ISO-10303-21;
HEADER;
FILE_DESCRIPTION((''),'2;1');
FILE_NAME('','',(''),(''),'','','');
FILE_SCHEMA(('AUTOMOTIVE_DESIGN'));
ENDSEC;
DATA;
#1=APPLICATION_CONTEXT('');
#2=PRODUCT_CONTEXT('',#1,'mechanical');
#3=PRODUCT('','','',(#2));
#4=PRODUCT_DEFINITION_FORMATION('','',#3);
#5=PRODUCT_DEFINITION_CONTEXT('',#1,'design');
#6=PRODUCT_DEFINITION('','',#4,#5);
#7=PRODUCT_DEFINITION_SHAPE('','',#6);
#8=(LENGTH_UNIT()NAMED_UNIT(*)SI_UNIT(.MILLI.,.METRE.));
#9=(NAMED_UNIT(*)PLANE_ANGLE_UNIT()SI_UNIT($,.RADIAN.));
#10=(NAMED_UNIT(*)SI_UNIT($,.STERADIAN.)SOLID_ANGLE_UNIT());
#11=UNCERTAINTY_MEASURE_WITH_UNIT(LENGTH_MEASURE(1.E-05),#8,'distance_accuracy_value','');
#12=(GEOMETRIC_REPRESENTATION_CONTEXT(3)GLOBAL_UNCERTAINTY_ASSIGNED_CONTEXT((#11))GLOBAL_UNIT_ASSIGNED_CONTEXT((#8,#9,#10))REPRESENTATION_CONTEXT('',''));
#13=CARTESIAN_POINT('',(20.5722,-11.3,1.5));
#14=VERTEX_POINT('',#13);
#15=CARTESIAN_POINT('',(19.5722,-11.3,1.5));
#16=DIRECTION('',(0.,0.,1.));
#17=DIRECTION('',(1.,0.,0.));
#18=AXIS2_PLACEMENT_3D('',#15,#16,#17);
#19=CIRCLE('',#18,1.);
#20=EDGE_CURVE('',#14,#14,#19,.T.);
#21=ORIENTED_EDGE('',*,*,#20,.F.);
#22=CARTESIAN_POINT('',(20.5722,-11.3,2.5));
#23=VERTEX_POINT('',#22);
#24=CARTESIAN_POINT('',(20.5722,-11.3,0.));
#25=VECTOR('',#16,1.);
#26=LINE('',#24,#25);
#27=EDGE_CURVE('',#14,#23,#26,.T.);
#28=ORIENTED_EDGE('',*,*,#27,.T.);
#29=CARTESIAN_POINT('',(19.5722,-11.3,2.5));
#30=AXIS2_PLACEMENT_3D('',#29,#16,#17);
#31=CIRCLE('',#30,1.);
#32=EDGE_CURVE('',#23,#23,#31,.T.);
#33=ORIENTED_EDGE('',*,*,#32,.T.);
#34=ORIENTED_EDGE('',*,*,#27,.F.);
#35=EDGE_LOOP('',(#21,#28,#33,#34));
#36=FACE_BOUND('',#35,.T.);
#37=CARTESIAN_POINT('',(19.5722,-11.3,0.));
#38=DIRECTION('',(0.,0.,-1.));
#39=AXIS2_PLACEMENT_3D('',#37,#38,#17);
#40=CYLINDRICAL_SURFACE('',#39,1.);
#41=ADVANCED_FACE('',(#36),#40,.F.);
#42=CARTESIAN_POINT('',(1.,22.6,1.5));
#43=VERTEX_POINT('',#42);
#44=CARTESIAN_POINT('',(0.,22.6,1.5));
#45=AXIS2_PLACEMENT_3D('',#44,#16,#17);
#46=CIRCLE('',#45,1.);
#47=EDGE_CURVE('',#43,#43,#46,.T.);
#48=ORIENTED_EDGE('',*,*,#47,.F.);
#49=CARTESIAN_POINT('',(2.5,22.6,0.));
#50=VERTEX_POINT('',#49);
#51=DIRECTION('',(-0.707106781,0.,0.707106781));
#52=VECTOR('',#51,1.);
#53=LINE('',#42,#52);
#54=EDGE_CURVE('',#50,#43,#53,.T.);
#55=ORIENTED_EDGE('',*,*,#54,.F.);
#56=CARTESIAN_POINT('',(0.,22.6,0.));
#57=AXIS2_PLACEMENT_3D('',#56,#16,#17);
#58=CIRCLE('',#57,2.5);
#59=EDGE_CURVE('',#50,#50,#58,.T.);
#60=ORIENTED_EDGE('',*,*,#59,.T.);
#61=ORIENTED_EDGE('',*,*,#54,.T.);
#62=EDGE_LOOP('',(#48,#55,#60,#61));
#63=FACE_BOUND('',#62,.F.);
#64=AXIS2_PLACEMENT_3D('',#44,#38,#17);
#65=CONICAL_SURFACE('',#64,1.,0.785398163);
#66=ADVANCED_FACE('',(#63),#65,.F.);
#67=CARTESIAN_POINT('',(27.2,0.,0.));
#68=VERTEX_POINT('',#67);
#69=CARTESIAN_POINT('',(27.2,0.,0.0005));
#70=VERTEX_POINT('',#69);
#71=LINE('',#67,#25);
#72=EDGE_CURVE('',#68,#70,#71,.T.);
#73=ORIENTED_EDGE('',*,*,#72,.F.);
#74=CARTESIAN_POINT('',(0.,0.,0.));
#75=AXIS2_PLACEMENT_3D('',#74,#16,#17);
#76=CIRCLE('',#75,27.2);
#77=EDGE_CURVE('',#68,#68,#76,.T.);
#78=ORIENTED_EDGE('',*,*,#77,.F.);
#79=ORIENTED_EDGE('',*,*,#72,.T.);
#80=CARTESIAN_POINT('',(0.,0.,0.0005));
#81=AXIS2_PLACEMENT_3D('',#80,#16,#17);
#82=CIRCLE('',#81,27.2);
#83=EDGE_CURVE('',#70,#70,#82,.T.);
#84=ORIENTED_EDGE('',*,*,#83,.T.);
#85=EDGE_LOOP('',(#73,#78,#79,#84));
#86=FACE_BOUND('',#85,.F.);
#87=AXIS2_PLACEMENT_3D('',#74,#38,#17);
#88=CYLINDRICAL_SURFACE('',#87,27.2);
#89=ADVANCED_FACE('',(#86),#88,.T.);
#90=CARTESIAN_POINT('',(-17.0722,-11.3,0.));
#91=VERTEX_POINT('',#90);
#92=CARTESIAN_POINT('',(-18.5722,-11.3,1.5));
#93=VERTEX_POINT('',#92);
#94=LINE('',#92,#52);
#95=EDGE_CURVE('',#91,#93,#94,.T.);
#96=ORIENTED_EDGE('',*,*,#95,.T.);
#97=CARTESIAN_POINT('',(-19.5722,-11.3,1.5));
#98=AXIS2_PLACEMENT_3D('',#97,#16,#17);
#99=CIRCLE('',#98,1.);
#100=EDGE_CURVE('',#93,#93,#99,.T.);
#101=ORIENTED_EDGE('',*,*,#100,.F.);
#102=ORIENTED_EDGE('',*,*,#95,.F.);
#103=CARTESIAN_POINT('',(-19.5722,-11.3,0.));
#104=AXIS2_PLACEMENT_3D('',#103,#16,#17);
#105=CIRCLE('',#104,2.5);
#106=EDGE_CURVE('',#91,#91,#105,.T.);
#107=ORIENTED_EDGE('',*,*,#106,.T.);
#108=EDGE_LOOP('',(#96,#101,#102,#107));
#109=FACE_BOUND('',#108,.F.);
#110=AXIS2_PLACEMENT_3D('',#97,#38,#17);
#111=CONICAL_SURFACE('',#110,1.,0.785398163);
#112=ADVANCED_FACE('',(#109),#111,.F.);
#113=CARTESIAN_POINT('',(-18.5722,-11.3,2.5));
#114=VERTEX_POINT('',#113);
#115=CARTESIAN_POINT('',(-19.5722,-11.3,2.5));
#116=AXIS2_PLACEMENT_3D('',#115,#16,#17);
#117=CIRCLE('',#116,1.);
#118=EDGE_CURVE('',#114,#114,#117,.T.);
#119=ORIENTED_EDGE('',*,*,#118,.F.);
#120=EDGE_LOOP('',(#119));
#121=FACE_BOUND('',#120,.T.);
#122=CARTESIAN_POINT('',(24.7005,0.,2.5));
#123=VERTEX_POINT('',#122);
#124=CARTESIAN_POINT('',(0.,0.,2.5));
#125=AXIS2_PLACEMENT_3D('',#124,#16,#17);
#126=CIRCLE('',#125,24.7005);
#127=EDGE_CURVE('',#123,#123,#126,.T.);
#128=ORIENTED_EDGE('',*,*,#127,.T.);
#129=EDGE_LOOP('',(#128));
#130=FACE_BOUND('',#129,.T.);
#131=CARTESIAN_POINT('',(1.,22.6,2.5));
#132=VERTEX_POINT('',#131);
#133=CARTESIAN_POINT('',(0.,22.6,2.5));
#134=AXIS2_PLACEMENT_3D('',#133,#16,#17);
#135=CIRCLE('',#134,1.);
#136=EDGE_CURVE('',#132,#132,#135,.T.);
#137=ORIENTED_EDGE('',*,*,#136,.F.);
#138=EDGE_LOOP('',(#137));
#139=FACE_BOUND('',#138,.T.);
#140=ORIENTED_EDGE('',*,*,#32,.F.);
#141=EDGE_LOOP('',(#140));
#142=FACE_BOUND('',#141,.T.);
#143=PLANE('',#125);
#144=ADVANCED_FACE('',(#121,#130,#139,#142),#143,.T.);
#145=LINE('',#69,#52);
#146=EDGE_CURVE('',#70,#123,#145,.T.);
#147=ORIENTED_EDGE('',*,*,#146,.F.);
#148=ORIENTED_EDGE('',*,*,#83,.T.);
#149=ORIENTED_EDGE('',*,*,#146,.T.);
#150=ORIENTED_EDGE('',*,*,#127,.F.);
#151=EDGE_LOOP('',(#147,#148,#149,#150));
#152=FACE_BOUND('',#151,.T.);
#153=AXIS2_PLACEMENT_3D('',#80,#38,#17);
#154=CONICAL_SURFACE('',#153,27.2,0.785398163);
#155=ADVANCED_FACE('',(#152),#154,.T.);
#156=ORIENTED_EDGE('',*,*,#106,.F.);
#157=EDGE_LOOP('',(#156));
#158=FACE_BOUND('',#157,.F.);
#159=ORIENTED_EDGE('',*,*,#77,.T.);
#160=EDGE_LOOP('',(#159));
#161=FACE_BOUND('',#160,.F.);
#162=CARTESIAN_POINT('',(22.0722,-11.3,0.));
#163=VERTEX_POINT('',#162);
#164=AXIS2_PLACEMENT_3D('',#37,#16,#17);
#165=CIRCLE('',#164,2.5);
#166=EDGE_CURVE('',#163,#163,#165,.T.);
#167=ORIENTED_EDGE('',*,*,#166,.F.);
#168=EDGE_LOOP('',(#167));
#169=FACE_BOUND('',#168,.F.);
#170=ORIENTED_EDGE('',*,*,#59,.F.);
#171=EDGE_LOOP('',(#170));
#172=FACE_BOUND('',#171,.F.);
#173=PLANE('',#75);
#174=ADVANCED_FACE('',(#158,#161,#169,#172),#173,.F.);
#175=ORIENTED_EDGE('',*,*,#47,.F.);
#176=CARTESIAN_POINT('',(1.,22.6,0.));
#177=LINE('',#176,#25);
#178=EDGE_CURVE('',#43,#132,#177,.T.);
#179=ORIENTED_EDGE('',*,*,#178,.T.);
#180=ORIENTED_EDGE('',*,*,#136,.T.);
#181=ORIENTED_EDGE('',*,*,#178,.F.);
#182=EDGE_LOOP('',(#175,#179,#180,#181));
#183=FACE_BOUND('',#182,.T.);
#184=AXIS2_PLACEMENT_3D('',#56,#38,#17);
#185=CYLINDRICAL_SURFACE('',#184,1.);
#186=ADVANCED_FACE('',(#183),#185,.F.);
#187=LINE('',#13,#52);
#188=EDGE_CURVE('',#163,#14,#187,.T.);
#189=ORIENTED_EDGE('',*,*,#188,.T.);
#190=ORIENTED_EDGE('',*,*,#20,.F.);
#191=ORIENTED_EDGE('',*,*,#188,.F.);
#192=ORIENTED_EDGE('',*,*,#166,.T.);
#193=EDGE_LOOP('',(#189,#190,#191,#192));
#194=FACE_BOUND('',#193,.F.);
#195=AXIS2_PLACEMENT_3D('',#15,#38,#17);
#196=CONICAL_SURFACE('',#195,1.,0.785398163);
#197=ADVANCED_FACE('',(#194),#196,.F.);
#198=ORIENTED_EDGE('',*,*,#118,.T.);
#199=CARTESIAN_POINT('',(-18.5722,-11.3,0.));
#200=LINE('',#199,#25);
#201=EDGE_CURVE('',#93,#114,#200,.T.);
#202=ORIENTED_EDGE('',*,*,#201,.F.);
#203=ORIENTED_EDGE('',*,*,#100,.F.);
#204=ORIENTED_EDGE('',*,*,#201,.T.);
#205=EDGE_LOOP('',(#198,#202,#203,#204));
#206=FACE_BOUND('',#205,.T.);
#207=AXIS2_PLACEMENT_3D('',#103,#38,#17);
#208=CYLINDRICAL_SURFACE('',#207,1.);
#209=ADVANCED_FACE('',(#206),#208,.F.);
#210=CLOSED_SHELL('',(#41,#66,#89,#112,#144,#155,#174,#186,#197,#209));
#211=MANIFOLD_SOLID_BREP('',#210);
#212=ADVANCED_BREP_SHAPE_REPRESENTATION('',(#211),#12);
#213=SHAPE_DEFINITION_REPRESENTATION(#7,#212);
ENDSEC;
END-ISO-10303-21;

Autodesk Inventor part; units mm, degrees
ref_plane "YZ Plane" through (0, 0, 0) normal (1, 0, 0) x (0, 1, 0)
ref_plane "XZ Plane" through (0, 0, 0) normal (0, 1, 0) x (-1, 0, 0)
ref_plane "XY Plane" through (0, 0, 0) normal (0, 0, 1) x (1, 0, 0)
sketch "Esboço1" plane through (0, 0, 0) normal (0, 0, 1) x (1, 0, 0)
  circle A0 centre (0, 0) radius 27.2
  circle A1 centre (0, 22.6) radius 1
  circle A2 centre (-19.5722, -11.3) radius 1
  circle A3 centre (0, 0) radius 27.2
  circle A4 centre (19.5722, -11.3) radius 1
  circle A5 centre (0, 0) radius 27.2
  dimension "d8" = 360
  dimension "d18" = 22.6
  dimension "d19" = 54.4
extrude "Extrusão1" add sketch "Esboço1" along normal blind 2.5
chamfer "Chanfro1" distance 2.5 angle 45 1 edges at (-27.2, 0, 2.5)
chamfer "Chanfro2" distance 1.5 angle 45 3 edges at (18.5722, -11.3, 0) (-20.5722, -11.3, 0) (-1, 22.6, 0)
properties part number "Tampa inferior"
